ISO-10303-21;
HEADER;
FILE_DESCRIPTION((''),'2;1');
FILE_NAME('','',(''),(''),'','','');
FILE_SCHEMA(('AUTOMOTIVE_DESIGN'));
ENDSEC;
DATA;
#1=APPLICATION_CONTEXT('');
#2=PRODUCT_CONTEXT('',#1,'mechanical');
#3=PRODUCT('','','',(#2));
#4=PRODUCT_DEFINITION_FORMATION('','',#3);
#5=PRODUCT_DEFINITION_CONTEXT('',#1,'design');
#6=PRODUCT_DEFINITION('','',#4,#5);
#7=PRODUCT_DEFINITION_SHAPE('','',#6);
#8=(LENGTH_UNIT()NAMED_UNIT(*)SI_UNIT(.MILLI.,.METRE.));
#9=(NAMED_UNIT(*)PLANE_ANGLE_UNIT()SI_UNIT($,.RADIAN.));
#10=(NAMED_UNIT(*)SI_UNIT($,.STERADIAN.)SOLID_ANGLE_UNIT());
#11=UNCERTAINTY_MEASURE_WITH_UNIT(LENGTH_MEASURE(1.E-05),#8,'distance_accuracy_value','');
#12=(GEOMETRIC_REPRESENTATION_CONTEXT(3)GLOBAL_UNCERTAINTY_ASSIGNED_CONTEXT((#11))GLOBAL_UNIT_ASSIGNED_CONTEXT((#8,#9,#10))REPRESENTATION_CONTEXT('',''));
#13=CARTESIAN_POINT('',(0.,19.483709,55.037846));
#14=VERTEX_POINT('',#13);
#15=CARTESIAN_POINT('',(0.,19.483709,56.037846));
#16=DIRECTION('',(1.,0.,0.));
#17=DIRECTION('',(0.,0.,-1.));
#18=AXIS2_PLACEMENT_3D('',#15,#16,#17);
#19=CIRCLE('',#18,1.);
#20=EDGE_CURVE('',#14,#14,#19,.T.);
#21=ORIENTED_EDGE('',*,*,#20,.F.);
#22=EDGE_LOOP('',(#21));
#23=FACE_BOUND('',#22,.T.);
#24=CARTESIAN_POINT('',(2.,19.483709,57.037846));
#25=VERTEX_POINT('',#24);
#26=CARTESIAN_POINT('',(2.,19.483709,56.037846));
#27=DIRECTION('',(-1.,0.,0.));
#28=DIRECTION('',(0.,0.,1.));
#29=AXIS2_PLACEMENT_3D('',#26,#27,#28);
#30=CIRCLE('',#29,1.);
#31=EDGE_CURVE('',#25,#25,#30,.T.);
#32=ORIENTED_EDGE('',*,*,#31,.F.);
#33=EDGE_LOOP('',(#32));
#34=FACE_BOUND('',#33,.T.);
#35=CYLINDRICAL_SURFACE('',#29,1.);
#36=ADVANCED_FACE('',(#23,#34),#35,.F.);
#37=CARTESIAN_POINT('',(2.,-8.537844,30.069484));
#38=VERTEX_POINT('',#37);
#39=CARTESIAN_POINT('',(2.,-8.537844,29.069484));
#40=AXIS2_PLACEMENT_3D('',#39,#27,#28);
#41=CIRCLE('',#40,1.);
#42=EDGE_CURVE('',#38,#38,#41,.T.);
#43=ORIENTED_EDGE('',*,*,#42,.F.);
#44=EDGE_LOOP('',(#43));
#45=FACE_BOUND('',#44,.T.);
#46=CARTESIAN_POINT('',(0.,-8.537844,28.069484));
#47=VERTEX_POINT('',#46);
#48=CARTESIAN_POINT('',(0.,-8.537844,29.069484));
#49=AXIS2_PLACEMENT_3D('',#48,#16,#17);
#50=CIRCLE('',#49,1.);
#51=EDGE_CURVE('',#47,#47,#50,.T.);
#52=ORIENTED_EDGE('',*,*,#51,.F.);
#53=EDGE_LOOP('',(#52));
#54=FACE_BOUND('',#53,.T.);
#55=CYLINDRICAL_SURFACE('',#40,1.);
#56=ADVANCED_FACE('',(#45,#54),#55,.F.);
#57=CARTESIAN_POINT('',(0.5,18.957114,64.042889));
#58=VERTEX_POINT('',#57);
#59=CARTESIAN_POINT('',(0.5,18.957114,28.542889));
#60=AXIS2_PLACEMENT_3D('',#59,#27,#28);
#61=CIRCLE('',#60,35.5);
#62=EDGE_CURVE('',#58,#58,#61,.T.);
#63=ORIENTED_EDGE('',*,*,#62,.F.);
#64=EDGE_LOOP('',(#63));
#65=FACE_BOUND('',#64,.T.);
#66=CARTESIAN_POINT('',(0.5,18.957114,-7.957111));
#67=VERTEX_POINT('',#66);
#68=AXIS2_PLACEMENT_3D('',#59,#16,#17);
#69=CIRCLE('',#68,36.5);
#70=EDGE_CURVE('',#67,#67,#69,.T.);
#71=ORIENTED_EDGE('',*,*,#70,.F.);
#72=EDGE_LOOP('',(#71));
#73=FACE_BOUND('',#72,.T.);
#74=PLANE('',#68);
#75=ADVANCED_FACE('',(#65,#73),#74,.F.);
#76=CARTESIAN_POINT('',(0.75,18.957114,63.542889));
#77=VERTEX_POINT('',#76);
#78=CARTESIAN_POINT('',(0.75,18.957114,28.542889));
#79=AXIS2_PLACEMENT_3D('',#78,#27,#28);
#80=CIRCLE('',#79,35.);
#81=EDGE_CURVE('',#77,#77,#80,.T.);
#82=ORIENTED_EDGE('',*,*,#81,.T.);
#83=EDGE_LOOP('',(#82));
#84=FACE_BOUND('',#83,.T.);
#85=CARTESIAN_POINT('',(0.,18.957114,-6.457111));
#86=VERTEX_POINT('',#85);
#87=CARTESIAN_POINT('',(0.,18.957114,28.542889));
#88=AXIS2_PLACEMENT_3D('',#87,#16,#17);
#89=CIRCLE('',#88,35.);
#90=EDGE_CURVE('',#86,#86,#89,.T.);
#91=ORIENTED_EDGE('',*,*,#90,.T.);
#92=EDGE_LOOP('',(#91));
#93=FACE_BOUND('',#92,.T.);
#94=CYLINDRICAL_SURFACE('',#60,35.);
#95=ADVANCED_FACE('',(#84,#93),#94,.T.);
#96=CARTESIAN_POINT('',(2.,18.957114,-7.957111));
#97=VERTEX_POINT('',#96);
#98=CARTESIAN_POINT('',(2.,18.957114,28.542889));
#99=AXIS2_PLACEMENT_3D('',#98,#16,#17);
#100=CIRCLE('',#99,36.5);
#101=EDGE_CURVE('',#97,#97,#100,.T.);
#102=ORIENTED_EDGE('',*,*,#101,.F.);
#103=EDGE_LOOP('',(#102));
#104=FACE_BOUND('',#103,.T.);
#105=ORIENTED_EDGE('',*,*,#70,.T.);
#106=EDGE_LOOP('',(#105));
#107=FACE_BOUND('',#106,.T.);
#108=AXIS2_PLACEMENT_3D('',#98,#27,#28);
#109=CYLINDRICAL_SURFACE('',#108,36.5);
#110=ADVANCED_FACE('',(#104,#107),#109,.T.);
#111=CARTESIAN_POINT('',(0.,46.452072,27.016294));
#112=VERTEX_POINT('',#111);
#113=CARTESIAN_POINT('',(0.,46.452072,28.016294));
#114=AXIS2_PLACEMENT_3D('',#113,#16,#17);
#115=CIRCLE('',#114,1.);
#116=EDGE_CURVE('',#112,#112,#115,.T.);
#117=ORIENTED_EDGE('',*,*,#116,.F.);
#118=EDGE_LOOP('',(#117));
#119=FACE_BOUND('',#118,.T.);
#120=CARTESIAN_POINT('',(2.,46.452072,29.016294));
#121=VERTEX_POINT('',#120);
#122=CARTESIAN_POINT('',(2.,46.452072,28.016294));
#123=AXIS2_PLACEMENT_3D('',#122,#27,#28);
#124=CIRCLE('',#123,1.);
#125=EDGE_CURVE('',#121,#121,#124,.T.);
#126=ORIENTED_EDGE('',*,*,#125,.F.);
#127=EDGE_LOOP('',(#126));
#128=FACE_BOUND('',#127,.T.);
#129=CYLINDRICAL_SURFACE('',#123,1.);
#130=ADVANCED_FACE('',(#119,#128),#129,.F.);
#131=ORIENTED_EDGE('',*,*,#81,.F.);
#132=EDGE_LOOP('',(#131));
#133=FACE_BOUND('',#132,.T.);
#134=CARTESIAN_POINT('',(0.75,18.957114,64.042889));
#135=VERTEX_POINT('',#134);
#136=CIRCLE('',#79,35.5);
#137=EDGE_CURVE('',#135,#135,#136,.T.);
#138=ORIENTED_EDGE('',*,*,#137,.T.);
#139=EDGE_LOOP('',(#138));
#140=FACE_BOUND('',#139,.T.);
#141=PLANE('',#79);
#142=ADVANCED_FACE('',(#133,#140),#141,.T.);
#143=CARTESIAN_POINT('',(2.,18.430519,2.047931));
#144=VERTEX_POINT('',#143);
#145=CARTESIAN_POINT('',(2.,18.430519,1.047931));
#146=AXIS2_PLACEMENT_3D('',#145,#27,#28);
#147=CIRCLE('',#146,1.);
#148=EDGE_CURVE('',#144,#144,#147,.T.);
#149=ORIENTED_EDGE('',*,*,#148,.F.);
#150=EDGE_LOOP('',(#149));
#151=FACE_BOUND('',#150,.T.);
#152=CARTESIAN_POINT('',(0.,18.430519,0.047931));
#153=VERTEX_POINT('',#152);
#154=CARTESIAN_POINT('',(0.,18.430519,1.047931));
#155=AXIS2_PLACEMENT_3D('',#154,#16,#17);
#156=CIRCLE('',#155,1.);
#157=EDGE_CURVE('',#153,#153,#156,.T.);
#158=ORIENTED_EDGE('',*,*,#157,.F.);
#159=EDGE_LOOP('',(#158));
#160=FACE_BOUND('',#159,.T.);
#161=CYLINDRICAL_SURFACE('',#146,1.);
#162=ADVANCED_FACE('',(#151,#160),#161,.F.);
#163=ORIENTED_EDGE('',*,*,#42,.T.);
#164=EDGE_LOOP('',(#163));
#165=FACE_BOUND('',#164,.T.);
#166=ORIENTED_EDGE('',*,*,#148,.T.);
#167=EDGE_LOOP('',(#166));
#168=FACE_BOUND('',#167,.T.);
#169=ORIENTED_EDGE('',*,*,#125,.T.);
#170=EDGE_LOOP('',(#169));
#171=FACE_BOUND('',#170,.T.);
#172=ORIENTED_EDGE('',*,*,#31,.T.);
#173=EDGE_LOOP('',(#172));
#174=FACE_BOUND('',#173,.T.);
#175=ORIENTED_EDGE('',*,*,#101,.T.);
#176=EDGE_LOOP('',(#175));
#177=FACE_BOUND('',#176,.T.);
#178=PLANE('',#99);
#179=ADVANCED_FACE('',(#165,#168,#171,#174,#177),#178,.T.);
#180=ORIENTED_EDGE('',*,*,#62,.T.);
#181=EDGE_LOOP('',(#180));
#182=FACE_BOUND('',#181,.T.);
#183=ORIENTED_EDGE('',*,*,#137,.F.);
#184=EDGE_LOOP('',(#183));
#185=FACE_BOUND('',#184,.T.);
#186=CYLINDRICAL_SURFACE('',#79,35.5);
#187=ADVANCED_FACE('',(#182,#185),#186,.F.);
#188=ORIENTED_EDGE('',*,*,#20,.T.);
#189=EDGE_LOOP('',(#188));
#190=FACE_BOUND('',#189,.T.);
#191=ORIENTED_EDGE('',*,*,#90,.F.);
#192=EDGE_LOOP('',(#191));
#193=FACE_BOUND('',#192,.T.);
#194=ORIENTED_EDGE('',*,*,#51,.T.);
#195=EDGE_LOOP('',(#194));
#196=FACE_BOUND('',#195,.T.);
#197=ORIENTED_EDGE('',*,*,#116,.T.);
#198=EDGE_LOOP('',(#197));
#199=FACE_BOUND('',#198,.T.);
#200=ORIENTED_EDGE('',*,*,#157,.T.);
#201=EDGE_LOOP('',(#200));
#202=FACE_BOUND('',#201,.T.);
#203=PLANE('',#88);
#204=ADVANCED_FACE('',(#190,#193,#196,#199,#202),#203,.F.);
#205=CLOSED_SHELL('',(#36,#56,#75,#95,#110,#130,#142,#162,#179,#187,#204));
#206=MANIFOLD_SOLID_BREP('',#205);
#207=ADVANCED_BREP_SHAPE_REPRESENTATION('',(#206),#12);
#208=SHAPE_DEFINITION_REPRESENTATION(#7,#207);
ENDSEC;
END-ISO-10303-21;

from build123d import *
from build123d.topology import SkipClean

# Parameters (mm, degrees)
SKETCH1_R           = 36.5
BOSS_EXTRUDE1_DEPTH = 2
SKETCH2_R           = 1
CUT_EXTRUDE1_DEPTH  = 82.563170228
SKETCH3_R           = 36.5
SKETCH3_R_2         = 35
CUT_EXTRUDE2_DEPTH  = 0.5
SKETCH4_R           = 35.5
SKETCH4_R_2         = 35
CUT_EXTRUDE3_DEPTH  = 0.25


with BuildPart() as part:
    # Sketch1 → Boss-Extrude1 (new body)
    with BuildSketch(Plane(origin=(0, 0, 0), x_dir=(0, 0, -1), z_dir=(1, 0, 0))):
        with Locations((-28.542888787, 18.957113921)):
            Circle(SKETCH1_R)
    extrude(amount=BOSS_EXTRUDE1_DEPTH)

    # Sketch2 → Cut-Extrude1 (cut, through all)
    with BuildSketch(Plane(origin=(-11.5, 40.326440474, 9.173024085), x_dir=(0, -0.9998166429303736, 0.019148903870400247), z_dir=(-1, 0, 0))):
        with Locations(Location((21.736320014, 46.457113921, 0), (0, 0, 88.902781564))):
            Circle(SKETCH2_R)
        with Locations(Location((21.736320014, -8.542886079, 0), (0, 0, 88.902781564))):
            Circle(SKETCH2_R)
        with Locations(Location((49.236320014, 18.957113921, 0), (0, 0, 88.902781564))):
            Circle(SKETCH2_R)
        with Locations(Location((-5.763679986, 18.957113921, 0), (0, 0, 88.902781564))):
            Circle(SKETCH2_R)
    extrude(amount=-CUT_EXTRUDE1_DEPTH, mode=Mode.SUBTRACT)

    # Sketch3 → Cut-Extrude2 (cut)
    with BuildSketch(Plane(origin=(0, 0, 0), x_dir=(0, 0, -1), z_dir=(1, 0, 0))):
        with Locations((-28.542888787, 18.957113921)):
            Circle(SKETCH3_R)
        with Locations((-28.542888787, 18.957113921)):
            Circle(SKETCH3_R_2, mode=Mode.SUBTRACT)
    extrude(amount=CUT_EXTRUDE2_DEPTH, mode=Mode.SUBTRACT)

    # Sketch4 → Cut-Extrude3 (cut)
    with SkipClean():  # the faces are left unmerged after this step: merging them gives an invalid solid
        with BuildSketch(Plane.ZY.offset(-0.5)):
            with Locations((28.542888787, 18.957113921)):
                Circle(SKETCH4_R)
            with Locations((28.542888787, 18.957113921)):
                Circle(SKETCH4_R_2, mode=Mode.SUBTRACT)
        extrude(amount=-CUT_EXTRUDE3_DEPTH, mode=Mode.SUBTRACT)


solid = part.part
